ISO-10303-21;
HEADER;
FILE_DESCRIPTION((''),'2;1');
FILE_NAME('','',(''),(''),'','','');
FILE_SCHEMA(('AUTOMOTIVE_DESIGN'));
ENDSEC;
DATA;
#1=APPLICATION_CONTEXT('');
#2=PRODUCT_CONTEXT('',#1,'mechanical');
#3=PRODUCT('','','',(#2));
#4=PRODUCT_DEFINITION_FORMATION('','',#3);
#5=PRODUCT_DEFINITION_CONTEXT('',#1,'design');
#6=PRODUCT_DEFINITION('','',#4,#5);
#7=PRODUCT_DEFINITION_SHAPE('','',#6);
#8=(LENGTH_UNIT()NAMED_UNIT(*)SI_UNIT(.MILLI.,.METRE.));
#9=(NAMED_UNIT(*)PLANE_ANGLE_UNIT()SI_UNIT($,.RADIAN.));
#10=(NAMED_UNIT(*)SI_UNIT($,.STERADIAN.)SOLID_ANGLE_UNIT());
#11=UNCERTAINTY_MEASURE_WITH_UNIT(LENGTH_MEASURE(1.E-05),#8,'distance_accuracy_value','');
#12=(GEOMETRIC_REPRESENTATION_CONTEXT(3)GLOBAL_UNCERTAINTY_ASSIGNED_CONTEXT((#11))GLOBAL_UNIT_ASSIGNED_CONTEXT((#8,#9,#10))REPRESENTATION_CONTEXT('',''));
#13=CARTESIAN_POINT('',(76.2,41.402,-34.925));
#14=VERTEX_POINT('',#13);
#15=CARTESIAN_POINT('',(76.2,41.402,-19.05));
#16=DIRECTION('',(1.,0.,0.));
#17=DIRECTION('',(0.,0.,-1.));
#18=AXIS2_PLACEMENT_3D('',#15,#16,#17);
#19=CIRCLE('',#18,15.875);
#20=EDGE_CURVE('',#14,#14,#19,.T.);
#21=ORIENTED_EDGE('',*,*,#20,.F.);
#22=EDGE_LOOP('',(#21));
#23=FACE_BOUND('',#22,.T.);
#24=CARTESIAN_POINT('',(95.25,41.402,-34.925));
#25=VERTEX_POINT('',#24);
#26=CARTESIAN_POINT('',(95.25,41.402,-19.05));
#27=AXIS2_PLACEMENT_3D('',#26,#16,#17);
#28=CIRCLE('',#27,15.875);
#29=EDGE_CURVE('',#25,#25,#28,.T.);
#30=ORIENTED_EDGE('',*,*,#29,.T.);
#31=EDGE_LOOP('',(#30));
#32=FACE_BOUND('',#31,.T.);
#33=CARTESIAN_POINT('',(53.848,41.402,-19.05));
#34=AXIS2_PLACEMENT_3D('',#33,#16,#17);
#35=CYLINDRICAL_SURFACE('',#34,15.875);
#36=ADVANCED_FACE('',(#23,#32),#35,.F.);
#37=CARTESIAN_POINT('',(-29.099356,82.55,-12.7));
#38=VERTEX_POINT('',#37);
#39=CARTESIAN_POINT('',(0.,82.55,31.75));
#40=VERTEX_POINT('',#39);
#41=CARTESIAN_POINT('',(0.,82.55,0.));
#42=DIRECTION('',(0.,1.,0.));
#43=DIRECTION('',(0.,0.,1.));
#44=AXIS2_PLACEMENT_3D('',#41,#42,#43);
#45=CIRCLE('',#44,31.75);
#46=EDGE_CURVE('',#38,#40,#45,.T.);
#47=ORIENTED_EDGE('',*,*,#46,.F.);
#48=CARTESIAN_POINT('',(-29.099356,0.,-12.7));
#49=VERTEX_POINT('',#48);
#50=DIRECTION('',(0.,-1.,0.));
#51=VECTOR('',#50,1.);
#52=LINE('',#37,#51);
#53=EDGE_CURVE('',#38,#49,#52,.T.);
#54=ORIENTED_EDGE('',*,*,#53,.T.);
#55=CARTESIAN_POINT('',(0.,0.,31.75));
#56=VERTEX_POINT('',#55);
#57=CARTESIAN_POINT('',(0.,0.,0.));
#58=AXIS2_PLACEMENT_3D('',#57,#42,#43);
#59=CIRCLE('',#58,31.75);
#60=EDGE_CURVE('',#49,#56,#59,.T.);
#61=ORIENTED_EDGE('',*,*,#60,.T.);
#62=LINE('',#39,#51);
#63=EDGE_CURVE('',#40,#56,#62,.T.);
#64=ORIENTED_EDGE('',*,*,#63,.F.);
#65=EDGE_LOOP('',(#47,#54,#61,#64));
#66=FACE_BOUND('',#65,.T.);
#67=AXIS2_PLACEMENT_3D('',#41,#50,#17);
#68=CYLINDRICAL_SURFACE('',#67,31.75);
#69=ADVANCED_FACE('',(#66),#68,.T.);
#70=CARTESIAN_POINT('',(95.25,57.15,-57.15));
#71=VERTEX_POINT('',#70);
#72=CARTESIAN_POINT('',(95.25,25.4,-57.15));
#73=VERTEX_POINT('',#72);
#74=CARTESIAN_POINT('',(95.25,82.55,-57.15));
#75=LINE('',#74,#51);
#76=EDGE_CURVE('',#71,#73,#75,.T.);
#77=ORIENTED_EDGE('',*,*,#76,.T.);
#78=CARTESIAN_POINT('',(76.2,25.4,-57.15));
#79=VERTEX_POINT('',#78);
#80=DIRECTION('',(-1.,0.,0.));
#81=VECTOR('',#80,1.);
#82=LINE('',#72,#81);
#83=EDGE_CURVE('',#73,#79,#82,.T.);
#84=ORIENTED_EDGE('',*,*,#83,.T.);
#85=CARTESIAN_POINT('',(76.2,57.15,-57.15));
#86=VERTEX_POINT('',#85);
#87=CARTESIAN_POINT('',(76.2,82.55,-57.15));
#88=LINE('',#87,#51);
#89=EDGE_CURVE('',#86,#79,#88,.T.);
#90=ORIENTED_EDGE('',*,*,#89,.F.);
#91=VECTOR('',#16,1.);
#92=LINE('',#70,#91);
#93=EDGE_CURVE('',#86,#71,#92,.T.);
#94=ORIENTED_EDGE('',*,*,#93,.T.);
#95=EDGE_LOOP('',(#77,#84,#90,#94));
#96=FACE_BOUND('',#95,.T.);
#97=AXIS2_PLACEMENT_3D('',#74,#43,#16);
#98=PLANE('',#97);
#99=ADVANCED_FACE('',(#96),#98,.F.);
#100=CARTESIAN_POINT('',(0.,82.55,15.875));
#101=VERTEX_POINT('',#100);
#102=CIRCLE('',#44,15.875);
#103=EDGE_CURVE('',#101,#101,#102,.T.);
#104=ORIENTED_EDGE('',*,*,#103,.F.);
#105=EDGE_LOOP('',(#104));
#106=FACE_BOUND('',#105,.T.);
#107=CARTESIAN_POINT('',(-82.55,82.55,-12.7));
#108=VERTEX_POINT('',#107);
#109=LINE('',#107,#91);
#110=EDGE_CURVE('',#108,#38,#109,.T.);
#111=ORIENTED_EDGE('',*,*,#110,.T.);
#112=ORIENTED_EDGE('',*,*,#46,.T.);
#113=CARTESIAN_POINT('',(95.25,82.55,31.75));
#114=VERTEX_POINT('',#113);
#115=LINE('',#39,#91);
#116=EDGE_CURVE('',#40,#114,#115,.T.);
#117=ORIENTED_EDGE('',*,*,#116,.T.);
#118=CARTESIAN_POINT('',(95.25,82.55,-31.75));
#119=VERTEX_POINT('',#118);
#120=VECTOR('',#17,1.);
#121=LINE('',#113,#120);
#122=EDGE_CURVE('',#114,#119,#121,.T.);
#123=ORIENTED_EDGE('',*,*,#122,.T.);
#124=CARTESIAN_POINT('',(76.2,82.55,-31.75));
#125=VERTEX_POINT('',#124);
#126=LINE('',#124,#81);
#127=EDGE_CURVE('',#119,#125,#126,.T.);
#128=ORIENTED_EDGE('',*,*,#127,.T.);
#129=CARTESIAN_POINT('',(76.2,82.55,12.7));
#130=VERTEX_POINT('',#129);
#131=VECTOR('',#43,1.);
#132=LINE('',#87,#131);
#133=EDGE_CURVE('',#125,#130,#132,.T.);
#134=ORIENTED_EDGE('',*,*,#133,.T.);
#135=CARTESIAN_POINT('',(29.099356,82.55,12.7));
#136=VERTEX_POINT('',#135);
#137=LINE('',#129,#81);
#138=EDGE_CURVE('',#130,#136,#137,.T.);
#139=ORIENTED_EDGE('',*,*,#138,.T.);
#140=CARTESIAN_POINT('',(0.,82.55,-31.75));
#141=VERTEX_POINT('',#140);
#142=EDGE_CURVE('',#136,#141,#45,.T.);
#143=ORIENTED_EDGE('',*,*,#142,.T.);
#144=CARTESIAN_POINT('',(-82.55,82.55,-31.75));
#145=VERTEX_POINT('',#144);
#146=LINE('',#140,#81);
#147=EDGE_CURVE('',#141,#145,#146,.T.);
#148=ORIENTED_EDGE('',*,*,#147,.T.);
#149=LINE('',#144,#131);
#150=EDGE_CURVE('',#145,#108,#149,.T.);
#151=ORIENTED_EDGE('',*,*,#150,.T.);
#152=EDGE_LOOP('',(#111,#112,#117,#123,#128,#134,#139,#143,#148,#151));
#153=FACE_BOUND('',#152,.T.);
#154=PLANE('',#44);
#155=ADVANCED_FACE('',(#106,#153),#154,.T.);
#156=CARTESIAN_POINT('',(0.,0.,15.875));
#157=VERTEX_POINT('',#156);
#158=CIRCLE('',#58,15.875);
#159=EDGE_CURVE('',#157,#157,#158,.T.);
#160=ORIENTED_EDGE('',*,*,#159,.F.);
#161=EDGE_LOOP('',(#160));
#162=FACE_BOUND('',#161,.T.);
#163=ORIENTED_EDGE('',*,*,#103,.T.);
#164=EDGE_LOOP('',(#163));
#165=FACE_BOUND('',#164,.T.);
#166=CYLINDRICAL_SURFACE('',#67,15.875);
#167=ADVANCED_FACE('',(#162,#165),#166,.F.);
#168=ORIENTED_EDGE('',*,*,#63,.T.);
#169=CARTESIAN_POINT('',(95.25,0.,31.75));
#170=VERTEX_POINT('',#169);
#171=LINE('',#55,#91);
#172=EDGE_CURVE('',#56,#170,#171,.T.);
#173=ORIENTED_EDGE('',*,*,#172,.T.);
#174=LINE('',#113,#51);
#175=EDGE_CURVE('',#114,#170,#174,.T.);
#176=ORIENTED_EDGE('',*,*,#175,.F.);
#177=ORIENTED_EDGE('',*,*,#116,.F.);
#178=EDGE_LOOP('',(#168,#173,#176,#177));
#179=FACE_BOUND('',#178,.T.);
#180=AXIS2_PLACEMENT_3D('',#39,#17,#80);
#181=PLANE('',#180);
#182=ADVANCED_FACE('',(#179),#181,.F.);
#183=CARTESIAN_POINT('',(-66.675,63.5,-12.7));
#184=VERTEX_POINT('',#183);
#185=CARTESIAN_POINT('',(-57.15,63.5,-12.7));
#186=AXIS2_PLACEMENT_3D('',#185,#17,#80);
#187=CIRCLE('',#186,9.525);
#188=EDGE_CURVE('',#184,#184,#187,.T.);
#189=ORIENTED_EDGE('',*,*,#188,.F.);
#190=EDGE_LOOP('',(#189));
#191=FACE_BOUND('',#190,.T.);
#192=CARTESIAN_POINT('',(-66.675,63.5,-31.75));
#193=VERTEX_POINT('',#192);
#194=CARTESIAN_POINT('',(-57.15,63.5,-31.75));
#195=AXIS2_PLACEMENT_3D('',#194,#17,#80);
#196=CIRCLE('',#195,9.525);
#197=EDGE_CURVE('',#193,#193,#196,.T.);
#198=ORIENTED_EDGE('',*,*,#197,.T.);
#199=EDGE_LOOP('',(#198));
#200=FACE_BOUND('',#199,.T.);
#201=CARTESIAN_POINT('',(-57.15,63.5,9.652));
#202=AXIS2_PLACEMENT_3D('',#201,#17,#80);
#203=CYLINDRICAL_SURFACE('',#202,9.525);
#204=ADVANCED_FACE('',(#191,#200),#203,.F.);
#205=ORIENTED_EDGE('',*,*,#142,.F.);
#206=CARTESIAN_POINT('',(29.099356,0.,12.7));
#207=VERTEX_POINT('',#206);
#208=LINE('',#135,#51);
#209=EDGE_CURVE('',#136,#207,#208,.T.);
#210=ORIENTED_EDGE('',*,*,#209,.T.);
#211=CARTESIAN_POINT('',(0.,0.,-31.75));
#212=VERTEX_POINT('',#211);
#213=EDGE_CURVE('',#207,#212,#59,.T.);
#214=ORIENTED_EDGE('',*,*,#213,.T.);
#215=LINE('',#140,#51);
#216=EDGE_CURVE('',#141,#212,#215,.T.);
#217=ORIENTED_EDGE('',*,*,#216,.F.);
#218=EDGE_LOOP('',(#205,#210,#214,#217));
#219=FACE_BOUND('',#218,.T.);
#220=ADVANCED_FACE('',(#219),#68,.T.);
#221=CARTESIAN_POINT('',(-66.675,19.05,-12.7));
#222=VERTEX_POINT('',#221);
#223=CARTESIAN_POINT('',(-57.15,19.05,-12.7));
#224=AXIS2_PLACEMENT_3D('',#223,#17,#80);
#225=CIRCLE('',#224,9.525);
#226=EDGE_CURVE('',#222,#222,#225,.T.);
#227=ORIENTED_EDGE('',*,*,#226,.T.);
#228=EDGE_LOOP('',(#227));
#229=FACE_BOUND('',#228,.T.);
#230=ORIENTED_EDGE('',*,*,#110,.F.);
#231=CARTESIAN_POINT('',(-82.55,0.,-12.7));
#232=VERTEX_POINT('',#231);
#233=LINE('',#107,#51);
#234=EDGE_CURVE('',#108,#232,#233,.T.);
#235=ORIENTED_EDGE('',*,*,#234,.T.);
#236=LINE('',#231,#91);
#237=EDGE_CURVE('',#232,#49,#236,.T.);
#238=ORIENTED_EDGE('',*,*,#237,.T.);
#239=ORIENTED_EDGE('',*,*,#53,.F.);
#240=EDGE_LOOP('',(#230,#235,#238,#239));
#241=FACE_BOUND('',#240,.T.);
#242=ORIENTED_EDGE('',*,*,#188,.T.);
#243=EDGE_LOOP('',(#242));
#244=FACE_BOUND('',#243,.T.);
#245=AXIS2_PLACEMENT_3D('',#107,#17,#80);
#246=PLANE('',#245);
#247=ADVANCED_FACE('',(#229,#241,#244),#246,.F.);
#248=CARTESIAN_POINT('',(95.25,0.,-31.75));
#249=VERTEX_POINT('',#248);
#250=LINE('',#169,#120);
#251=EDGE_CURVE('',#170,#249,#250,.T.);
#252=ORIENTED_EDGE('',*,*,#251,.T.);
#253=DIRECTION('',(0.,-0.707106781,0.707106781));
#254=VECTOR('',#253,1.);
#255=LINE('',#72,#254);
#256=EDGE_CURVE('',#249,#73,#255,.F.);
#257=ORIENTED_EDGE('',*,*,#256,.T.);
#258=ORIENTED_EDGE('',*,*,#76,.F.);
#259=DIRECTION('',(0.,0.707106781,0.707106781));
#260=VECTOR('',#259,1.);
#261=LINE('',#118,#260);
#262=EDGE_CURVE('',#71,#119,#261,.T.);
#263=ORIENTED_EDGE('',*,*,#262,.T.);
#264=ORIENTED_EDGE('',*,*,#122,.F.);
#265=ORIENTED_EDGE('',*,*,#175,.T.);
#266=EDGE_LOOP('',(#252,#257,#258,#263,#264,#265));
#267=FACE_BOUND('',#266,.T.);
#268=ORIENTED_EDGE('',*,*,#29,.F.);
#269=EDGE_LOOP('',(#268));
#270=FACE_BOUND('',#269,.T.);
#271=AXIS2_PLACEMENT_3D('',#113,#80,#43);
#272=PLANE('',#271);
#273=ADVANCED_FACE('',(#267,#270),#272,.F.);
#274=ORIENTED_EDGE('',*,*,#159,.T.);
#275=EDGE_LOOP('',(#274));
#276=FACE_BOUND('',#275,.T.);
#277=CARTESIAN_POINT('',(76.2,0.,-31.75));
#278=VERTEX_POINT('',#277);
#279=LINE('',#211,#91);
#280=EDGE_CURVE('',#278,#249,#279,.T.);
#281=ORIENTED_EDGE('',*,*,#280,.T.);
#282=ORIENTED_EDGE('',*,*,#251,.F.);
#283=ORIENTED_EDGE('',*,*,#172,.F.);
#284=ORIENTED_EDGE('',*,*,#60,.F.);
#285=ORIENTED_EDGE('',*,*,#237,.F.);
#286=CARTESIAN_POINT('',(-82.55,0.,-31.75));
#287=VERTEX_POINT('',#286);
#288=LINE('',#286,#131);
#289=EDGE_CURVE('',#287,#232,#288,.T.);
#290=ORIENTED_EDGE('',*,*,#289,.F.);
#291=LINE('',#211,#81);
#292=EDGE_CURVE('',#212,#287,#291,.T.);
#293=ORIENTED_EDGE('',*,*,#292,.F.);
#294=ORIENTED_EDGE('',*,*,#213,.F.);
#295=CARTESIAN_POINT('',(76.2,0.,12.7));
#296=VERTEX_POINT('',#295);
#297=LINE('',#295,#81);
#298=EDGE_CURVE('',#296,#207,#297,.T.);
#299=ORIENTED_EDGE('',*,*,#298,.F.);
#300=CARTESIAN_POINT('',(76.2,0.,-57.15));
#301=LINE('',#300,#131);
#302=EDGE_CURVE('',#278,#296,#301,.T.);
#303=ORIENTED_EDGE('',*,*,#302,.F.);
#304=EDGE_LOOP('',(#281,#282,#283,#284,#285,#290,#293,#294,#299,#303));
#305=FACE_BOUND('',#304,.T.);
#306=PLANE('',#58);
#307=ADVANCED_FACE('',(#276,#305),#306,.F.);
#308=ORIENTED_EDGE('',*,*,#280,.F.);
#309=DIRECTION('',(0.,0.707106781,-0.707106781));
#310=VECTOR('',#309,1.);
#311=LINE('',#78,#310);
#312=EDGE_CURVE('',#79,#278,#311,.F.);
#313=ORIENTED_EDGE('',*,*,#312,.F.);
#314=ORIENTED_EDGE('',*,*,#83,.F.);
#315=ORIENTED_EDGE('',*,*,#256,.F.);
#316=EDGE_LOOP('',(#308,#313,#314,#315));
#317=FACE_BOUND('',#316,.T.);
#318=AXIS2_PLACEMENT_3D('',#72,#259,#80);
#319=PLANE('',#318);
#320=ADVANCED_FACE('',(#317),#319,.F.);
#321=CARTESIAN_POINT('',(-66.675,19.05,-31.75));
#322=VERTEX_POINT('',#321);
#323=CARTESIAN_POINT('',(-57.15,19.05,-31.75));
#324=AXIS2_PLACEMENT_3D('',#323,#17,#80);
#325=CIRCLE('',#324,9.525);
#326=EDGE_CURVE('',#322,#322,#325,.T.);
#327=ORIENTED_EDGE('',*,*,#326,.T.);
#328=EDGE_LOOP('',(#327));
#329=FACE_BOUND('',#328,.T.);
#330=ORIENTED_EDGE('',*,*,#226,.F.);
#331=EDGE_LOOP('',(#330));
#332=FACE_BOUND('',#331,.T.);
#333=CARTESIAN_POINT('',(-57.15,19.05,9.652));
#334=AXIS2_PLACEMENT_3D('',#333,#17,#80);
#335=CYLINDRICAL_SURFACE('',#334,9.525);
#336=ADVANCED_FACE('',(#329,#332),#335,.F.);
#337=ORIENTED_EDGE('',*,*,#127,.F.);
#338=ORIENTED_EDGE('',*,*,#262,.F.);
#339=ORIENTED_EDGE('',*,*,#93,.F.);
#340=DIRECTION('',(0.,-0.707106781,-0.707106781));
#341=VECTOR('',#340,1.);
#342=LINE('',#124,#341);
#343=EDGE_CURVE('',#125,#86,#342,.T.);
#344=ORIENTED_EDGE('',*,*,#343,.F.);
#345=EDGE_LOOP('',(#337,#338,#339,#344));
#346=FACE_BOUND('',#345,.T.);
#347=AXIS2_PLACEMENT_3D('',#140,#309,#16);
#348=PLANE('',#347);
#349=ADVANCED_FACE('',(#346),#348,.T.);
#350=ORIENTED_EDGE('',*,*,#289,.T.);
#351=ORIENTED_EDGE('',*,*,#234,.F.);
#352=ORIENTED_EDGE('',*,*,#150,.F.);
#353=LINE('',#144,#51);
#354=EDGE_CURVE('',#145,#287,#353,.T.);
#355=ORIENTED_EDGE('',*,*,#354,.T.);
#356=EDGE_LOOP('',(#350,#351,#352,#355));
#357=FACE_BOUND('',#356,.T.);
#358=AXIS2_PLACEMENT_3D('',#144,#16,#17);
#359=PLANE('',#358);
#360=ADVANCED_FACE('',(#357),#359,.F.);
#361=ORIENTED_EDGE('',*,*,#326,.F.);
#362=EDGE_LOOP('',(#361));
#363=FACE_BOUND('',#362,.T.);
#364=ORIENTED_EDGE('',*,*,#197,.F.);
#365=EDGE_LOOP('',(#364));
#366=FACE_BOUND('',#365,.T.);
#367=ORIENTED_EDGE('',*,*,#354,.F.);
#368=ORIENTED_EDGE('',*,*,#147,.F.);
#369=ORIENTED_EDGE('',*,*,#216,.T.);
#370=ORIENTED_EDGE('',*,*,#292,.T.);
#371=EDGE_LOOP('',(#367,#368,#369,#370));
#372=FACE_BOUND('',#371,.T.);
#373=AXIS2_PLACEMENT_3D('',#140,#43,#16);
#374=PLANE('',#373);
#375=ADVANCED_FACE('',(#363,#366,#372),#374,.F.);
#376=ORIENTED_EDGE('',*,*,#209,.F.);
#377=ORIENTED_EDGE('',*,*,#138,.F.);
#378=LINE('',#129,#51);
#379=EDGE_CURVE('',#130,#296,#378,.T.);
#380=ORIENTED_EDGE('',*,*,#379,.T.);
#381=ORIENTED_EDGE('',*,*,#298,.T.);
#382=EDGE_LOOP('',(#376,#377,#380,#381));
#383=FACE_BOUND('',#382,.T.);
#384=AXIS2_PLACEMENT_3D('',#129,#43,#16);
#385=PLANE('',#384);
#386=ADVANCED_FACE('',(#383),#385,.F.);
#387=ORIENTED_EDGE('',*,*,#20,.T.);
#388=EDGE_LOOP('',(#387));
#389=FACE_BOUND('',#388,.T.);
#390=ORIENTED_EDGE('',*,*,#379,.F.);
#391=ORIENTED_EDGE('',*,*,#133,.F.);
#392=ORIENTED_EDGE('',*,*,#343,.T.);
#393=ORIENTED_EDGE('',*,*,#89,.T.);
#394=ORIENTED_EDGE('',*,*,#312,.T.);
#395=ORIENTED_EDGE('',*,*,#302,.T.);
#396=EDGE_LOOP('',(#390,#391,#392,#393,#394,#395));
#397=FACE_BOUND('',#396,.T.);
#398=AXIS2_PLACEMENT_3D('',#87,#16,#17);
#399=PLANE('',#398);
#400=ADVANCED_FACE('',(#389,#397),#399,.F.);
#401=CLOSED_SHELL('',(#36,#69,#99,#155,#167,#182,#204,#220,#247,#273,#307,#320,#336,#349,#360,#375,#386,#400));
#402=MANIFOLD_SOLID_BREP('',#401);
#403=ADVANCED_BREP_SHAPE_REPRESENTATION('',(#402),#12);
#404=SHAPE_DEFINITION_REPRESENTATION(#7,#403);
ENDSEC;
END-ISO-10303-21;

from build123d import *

# Parameters (mm, degrees)
SKETCH1_R           = 15.875
BOSS_EXTRUDE1_DEPTH = 82.55
SKETCH2_R           = 15.875
CUT_EXTRUDE1_DEPTH  = 41.402
SKETCH3_R           = 9.525
CUT_EXTRUDE2_DEPTH  = 41.402
CHAMFER1_SIZE       = 25.4
CHAMFER2_SIZE       = 25.4


with BuildPart() as part:
    # Sketch1 → Boss-Extrude1 (new body)
    with BuildSketch(Plane(origin=(0, 0, 0), x_dir=(1, 0, 0), z_dir=(0, 1, 0))):
        with BuildLine():
            Line((0, 31.75), (-82.55, 31.75))
            Line((-82.55, 31.75), (-82.55, 12.7))
            Line((-82.55, 12.7), (-29.099355663, 12.7))
            ThreePointArc((-29.099355663, 12.7), (-26.563955842, -17.390191201), (0, -31.75))
            Line((0, -31.75), (95.25, -31.75))
            Line((95.25, -31.75), (95.25, 57.15))
            Line((95.25, 57.15), (76.2, 57.15))
            Line((76.2, 57.15), (76.2, -12.7))
            Line((76.2, -12.7), (29.099355663, -12.7))
            ThreePointArc((29.099355663, -12.7), (26.563955842, 17.390191201), (0, 31.75))
        make_face()
        Circle(SKETCH1_R, mode=Mode.SUBTRACT)
    extrude(amount=BOSS_EXTRUDE1_DEPTH)

    # Sketch2 → Cut-Extrude1 (cut)
    with BuildSketch(Plane(origin=(95.25, 0, 0), x_dir=(0, 0, -1), z_dir=(1, 0, 0))):
        with Locations((19.05, 41.402)):
            Circle(SKETCH2_R)
    extrude(amount=-CUT_EXTRUDE1_DEPTH, mode=Mode.SUBTRACT)

    # Sketch3 → Cut-Extrude2 (cut)
    with BuildSketch(Plane(origin=(0, 0, -31.75), x_dir=(-1, 0, 0), z_dir=(0, 0, -1))):
        with Locations((57.15, 63.5)):
            Circle(SKETCH3_R)
        with Locations((57.15, 19.05)):
            Circle(SKETCH3_R)
    extrude(amount=-CUT_EXTRUDE2_DEPTH, mode=Mode.SUBTRACT)

    # Chamfer1
    chamfer1_edges = [part.edges().sort_by_distance(p)[0] for p in [
        (85.725, 82.55, -57.15),
    ]]
    chamfer(chamfer1_edges, length=CHAMFER1_SIZE)

    # Chamfer2
    chamfer2_edges = [part.edges().sort_by_distance(p)[0] for p in [
        (85.725, 0, -57.15),
    ]]
    chamfer(chamfer2_edges, length=CHAMFER2_SIZE)


solid = part.part
